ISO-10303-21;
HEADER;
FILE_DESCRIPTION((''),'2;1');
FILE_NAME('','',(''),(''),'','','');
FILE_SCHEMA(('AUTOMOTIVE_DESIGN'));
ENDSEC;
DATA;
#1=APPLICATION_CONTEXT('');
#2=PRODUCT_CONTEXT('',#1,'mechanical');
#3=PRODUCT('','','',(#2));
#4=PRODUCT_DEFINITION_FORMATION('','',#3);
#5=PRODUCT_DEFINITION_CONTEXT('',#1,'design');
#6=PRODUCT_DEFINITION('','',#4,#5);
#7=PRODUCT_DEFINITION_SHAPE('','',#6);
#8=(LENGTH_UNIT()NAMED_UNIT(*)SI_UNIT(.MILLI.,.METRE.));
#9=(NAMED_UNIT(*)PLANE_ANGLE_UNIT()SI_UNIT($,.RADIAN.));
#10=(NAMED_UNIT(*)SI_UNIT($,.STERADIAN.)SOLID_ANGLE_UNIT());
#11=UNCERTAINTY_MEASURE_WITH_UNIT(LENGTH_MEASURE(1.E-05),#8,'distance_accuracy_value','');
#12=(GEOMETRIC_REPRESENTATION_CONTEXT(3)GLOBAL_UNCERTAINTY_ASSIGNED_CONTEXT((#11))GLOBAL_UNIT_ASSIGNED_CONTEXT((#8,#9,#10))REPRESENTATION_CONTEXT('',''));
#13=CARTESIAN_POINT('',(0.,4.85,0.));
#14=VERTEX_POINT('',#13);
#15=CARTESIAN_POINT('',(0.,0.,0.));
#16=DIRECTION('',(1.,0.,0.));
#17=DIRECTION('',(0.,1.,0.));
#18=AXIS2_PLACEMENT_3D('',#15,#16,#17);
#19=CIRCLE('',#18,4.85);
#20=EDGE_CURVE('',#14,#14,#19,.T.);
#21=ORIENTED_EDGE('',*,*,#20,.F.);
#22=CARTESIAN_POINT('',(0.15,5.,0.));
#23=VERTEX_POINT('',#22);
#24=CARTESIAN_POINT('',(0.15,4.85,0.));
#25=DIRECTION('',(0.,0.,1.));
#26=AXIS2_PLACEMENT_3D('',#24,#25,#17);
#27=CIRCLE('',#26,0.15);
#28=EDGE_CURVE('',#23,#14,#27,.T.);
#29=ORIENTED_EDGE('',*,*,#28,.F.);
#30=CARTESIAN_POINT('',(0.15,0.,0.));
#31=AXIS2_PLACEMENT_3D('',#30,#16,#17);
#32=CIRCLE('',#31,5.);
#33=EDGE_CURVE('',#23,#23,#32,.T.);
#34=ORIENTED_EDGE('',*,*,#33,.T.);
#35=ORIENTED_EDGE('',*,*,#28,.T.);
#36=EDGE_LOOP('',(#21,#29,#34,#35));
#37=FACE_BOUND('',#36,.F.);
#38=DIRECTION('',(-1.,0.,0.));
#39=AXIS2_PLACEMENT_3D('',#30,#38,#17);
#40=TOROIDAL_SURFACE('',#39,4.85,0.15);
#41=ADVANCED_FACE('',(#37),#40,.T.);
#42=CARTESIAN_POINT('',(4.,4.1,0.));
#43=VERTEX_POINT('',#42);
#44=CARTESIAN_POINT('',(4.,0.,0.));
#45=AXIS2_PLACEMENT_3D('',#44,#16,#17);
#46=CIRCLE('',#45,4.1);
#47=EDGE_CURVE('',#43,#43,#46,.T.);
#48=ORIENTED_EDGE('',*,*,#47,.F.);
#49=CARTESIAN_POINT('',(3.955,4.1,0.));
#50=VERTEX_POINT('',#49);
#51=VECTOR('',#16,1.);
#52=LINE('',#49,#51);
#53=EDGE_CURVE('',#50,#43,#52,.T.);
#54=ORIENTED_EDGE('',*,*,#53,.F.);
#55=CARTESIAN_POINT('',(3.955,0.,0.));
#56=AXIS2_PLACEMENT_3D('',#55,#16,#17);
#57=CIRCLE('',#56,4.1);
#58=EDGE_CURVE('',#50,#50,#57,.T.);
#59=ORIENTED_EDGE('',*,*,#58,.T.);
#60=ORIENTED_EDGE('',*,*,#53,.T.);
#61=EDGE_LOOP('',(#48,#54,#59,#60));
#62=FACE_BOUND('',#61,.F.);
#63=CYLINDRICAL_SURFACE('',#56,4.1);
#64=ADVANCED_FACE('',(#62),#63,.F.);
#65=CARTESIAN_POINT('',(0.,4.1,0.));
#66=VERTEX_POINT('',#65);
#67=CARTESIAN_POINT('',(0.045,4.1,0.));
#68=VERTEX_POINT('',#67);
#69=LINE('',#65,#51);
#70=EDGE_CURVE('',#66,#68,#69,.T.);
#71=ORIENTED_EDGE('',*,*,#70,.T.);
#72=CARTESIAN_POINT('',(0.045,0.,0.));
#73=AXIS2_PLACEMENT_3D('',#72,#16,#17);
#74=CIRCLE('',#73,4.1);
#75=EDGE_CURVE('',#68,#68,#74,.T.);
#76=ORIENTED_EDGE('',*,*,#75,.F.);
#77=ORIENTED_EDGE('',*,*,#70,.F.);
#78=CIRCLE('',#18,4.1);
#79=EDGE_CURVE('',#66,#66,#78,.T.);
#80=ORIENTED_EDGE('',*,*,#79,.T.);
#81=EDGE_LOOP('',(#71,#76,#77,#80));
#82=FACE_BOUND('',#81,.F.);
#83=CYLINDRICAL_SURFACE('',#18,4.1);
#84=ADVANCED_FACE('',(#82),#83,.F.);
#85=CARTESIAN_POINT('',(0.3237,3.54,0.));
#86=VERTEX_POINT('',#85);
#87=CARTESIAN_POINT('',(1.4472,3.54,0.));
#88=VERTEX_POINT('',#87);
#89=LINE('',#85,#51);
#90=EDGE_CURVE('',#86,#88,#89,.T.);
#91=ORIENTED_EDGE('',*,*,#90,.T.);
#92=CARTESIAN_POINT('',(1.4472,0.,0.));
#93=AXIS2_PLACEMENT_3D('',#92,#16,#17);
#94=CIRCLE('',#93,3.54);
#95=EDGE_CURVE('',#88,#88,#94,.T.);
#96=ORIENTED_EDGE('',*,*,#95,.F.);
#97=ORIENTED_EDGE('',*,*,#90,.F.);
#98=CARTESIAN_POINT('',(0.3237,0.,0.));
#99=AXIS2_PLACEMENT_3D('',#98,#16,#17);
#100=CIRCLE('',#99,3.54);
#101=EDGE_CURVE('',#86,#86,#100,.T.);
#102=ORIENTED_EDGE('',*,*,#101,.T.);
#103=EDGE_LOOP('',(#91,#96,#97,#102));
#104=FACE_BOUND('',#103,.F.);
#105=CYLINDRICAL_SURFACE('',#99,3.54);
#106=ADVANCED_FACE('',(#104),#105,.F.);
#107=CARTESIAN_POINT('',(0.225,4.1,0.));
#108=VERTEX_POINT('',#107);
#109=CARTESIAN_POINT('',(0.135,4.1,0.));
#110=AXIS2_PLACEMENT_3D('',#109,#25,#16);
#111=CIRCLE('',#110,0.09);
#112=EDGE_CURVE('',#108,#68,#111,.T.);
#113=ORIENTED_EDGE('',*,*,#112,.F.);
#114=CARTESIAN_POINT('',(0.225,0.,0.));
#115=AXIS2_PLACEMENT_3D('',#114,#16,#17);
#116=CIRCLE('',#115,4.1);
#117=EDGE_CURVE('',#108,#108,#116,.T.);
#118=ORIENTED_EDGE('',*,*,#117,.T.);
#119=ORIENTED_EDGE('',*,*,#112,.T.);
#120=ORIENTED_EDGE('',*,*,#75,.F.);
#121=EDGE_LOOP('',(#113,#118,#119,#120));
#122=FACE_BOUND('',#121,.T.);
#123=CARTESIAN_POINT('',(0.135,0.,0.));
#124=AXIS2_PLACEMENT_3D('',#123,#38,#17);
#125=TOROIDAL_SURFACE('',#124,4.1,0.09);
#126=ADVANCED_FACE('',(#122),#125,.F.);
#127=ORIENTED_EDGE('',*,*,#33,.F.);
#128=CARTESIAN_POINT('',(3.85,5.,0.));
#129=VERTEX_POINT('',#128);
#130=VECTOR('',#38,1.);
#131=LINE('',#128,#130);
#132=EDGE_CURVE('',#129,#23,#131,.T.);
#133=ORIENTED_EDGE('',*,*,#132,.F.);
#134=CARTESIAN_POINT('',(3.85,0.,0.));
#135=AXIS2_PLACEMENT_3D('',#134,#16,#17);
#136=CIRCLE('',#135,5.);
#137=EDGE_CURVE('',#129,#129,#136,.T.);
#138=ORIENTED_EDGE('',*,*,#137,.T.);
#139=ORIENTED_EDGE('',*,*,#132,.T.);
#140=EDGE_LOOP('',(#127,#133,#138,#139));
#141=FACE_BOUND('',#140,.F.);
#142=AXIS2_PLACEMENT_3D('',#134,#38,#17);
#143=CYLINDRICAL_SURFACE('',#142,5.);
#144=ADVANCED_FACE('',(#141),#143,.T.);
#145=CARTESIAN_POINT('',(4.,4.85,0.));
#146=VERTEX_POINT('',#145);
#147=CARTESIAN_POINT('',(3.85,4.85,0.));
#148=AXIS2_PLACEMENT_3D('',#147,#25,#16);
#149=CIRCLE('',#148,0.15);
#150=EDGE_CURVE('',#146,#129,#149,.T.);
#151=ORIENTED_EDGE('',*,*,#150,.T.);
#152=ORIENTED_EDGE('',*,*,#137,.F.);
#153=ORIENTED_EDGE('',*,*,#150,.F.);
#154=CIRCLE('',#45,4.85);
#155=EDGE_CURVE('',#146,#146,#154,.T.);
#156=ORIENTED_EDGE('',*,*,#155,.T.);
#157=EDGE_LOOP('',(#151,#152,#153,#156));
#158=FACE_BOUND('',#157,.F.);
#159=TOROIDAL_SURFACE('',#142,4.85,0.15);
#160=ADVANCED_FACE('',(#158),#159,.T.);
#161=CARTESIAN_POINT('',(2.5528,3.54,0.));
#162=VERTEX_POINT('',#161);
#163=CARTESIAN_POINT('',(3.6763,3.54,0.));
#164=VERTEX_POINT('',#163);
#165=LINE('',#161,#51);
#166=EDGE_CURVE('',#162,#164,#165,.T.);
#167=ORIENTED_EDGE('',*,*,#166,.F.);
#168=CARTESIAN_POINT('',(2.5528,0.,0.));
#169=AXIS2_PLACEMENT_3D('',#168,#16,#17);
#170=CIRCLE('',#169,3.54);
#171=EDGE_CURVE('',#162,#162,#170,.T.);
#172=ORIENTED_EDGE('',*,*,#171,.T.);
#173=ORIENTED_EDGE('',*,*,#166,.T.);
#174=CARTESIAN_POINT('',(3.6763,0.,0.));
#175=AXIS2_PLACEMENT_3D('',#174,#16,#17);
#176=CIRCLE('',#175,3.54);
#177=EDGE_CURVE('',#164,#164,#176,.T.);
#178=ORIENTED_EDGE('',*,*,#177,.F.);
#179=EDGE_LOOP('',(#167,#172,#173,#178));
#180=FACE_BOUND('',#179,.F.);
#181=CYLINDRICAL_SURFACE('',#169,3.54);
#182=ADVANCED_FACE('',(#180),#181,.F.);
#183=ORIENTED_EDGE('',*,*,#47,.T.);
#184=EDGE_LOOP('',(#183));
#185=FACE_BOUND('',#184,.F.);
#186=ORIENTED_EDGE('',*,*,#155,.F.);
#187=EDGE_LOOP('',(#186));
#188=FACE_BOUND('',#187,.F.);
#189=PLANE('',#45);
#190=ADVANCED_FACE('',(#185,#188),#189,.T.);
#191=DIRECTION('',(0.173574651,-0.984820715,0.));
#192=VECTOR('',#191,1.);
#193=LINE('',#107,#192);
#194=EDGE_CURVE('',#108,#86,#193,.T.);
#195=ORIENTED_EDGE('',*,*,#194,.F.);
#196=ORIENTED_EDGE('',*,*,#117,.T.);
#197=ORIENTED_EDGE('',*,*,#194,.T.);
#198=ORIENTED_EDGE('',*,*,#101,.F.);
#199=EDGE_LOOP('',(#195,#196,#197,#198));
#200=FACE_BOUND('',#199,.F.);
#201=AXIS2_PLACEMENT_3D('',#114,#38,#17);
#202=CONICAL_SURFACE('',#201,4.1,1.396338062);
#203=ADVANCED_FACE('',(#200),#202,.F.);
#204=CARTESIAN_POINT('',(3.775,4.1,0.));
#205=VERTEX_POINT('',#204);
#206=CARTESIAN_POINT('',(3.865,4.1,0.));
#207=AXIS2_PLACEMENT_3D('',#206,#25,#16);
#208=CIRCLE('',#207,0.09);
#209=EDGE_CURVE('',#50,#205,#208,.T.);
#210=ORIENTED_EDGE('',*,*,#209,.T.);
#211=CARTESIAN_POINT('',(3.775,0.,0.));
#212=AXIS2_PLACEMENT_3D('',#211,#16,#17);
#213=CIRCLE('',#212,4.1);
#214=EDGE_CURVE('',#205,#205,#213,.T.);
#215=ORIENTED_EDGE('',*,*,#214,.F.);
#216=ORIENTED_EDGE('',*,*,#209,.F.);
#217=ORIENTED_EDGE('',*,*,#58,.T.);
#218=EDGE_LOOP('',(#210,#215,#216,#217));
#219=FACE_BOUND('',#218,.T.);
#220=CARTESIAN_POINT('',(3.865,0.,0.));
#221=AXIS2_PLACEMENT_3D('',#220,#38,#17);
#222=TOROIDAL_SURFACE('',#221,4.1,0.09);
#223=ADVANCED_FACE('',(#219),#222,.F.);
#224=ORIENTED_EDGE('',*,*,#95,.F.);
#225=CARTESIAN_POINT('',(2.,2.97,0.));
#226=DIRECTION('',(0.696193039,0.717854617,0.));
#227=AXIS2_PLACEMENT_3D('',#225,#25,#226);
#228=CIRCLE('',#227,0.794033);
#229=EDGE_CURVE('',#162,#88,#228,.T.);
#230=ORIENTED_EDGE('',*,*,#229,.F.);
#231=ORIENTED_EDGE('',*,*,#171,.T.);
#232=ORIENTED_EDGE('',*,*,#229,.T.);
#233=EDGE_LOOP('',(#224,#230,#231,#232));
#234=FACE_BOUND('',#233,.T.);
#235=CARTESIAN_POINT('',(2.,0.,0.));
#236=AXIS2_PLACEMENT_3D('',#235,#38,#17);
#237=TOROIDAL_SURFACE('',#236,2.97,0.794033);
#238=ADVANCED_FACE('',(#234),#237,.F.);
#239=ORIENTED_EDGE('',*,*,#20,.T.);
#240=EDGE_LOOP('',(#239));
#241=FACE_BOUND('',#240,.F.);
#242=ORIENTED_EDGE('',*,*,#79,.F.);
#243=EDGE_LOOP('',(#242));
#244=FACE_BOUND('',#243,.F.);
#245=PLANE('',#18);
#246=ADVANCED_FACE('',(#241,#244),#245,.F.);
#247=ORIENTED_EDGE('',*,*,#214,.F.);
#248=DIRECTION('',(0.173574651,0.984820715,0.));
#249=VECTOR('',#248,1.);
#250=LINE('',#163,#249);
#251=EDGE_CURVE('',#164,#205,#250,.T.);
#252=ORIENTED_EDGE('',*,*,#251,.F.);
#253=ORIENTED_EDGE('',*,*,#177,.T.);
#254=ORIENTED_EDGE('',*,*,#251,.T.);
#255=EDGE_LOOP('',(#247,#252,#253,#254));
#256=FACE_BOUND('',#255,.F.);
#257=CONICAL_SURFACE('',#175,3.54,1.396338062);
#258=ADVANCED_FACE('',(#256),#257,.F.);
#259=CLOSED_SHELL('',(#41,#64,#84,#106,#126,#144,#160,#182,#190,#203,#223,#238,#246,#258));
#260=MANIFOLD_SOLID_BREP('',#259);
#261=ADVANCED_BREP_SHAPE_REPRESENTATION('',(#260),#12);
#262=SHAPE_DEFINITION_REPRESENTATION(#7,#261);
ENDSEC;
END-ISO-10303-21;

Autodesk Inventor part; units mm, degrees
sketch "Sketch_15" plane through (0, 0, 0) normal (0, 0, 1) x (1, 0, 0)
  line L0 (50, 0) -> (-50, 0)
  line L1 (0, 4.1) -> (0.045, 4.1)
  arc A0 (0.225, 4.1) -> (0.045, 4.1) centre (0.135, 4.1) ccw
  line L2 (0.225, 4.1) -> (0.3237, 3.54)
  line L3 (0.3237, 3.54) -> (1.4472, 3.54)
  arc A1 (2.5528, 3.54) -> (1.4472, 3.54) centre (2, 2.97) ccw
  line L4 (2.5528, 3.54) -> (3.6763, 3.54)
  line L5 (3.6763, 3.54) -> (3.775, 4.1)
  arc A2 (3.955, 4.1) -> (3.775, 4.1) centre (3.865, 4.1) ccw
  line L6 (3.955, 4.1) -> (4, 4.1)
  line L7 (4, 4.1) -> (4, 4.85)
  arc A3 (4, 4.85) -> (3.85, 5) centre (3.85, 4.85) ccw
  line L8 (3.85, 5) -> (0.15, 5)
  arc A4 (0.15, 5) -> (0, 4.85) centre (0.15, 4.85) ccw
  line L9 (0, 4.85) -> (0, 4.1)
revolve "Revolution1" add sketch "Sketch_15" angle 360 about axis through (50, 0, 0) along (1, 0, 0)
ref_plane "or_XY" through (0, 0, 0) normal (0, 0, 1) x (1, 0, 0)
ref_plane "or_YZ" through (0, 0, 0) normal (1, 0, 0) x (0, 1, 0)
ref_plane "or_ZX" through (0, 0, 0) normal (0, 1, 0) x (0, 0, 1)
properties part number "SKF_623-2RS1_or"
